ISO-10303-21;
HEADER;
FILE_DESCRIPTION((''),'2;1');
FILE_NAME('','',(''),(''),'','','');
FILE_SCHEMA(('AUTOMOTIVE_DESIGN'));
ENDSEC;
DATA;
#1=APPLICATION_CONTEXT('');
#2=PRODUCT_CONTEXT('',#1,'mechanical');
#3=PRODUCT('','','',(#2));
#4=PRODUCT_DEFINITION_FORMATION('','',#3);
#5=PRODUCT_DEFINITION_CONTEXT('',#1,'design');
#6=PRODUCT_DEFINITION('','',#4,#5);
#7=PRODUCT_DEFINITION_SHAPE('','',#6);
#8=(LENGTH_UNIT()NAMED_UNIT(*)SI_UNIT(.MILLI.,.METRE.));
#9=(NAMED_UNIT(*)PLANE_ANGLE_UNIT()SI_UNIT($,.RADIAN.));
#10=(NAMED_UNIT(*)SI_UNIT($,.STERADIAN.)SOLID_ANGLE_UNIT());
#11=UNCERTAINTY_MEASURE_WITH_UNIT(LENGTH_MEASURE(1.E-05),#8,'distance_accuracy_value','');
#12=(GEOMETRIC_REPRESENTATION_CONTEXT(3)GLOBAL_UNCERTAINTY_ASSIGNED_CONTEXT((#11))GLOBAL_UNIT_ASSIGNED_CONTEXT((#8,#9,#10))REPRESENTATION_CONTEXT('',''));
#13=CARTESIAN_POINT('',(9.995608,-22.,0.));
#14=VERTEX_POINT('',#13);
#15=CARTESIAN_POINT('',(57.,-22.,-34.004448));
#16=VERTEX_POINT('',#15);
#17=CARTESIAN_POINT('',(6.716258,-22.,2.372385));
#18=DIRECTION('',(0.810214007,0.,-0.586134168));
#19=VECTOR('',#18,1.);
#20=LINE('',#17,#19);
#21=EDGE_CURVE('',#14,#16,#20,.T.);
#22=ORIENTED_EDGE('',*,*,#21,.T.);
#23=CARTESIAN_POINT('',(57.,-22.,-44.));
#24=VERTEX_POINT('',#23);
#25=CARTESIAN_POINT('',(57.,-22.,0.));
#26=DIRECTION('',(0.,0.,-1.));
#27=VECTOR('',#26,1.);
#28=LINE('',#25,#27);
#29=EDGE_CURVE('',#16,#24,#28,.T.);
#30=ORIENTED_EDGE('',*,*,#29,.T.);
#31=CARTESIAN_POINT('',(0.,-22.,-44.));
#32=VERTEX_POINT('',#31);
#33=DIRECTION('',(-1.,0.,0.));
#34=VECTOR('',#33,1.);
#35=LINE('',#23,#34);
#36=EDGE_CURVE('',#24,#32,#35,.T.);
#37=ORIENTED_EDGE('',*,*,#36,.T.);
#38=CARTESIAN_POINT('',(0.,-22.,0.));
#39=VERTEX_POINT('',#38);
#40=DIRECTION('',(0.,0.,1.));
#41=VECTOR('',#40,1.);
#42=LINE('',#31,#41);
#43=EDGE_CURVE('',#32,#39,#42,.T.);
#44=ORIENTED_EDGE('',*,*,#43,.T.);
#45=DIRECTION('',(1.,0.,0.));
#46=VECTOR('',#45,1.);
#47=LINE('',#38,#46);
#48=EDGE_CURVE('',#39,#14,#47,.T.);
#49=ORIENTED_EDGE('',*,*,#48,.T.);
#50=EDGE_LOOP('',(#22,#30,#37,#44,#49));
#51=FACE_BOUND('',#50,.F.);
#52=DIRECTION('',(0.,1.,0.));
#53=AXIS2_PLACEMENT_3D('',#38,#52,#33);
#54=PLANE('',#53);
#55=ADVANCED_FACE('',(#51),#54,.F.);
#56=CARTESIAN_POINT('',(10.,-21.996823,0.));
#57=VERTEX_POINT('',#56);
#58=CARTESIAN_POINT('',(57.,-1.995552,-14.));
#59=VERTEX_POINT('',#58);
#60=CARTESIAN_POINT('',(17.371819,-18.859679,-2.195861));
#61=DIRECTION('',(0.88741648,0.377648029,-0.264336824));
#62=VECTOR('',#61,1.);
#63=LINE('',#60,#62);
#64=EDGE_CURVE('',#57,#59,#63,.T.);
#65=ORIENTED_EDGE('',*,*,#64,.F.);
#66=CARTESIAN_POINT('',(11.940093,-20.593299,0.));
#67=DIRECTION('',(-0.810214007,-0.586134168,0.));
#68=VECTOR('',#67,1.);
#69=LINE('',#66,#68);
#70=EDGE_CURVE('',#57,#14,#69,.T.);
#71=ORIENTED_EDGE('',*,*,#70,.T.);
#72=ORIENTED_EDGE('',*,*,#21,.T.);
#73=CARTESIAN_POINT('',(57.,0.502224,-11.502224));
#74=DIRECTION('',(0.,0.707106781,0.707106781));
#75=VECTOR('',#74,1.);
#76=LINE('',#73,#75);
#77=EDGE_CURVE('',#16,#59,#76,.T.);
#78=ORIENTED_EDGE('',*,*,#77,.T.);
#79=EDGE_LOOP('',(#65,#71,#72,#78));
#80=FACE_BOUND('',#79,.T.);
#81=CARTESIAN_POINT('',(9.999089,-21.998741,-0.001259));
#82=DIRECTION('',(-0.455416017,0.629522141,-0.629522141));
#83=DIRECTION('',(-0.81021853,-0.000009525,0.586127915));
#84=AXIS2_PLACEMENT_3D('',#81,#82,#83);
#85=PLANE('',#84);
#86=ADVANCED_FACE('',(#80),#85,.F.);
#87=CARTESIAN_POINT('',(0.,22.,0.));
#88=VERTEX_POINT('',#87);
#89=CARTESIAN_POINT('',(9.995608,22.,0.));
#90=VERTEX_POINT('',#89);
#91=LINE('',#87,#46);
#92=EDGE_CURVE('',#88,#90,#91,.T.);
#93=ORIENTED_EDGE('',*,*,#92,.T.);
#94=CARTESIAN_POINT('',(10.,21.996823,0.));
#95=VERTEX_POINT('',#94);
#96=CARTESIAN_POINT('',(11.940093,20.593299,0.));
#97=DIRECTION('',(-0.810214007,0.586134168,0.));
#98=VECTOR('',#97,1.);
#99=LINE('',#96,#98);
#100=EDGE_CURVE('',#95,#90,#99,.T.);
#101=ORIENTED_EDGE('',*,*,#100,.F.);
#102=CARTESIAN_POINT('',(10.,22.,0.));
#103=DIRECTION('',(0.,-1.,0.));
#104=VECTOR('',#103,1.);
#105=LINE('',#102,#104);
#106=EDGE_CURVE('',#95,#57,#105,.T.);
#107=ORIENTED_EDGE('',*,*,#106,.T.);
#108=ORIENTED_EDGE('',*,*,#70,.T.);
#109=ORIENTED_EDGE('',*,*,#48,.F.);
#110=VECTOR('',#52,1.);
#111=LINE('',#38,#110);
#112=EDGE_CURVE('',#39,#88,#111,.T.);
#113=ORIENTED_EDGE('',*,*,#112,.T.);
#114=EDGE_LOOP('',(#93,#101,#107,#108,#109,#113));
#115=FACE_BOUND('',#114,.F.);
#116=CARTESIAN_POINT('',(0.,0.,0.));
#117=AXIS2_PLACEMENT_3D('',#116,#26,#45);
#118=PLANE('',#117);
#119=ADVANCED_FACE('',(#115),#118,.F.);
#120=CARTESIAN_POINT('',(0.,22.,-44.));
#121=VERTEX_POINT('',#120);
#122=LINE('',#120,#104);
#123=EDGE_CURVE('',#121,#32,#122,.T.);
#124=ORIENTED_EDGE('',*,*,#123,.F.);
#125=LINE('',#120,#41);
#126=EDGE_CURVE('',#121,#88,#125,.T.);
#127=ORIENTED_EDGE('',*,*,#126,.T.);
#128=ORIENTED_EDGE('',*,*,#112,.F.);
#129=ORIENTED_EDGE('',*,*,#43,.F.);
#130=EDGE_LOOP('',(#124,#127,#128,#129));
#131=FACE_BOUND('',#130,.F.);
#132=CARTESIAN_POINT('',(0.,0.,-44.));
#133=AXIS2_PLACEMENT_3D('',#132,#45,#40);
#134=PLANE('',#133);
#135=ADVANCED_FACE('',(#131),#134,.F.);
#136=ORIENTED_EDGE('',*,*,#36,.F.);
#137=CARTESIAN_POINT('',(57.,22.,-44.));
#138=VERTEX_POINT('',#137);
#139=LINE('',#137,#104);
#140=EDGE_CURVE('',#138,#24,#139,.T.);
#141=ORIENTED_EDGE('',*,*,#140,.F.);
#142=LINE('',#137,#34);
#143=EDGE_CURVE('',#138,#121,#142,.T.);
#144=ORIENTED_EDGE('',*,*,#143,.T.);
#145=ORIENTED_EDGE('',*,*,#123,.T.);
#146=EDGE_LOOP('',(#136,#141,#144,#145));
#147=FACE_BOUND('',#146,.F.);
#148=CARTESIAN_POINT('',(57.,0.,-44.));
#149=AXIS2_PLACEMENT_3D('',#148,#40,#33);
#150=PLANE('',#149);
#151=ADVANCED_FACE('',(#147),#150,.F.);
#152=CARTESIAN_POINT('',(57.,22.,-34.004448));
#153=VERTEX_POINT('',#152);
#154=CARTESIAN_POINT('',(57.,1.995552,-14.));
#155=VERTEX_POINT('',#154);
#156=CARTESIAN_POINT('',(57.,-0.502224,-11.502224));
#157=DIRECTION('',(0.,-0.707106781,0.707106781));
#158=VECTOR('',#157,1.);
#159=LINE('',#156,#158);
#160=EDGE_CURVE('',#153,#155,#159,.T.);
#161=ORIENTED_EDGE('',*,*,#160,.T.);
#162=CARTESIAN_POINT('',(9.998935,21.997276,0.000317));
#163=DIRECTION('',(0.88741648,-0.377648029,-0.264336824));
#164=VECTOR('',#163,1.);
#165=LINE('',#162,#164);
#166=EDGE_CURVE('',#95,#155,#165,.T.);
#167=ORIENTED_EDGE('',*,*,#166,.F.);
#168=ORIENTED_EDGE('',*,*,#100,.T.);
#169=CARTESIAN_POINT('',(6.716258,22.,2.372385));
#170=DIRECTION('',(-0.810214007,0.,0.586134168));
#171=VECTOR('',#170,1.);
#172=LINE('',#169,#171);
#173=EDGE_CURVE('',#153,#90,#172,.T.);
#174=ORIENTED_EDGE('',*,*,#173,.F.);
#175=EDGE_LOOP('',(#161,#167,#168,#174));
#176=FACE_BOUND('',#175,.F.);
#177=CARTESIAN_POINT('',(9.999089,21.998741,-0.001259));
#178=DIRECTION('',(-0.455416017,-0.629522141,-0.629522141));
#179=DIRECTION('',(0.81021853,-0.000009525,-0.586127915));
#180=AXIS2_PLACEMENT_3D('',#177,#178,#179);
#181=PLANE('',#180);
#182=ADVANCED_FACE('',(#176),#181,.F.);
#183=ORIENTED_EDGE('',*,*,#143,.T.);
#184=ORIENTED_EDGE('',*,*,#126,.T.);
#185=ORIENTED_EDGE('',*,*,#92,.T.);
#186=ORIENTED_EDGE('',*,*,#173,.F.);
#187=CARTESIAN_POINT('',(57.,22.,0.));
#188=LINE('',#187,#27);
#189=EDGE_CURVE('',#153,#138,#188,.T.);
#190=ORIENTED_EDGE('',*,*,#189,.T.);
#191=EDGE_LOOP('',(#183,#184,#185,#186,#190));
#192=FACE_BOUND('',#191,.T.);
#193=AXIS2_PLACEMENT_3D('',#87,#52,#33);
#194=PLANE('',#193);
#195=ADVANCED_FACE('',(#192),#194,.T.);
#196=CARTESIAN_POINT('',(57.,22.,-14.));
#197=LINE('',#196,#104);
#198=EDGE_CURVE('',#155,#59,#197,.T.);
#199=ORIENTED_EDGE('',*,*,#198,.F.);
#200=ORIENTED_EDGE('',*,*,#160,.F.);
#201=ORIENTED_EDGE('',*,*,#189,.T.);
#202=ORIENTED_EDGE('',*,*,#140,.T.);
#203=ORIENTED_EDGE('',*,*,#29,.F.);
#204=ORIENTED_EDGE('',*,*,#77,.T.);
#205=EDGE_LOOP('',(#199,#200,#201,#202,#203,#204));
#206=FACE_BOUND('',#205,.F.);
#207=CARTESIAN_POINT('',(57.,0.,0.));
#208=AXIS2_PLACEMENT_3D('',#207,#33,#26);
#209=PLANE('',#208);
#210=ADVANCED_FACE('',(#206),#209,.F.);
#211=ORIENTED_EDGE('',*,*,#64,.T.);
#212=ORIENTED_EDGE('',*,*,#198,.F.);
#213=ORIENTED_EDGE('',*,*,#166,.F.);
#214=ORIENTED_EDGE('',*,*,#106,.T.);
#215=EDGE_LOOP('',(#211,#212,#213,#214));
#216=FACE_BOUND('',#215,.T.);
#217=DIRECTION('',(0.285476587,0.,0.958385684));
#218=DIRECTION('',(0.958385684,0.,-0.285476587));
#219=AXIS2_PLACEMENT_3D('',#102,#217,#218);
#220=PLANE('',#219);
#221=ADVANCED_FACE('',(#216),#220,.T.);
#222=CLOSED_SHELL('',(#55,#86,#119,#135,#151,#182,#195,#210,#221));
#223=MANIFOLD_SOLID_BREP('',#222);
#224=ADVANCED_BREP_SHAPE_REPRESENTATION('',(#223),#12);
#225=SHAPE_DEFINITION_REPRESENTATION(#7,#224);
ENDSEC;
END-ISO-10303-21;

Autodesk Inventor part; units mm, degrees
ref_plane "YZ Plane" through (0, 0, 0) normal (1, 0, 0) x (0, 1, 0)
ref_plane "XZ Plane" through (0, 0, 0) normal (0, 1, 0) x (-1, 0, 0)
sketch "草圖1" plane through (0, 0, 0) normal (0, 1, 0) x (-1, 0, 0)
  line L0 (0, 0) -> (-57, 0)
  line L1 (-57, 0) -> (-57, -44)
  line L2 (-57, -44) -> (0, -44)
  line L3 (0, -44) -> (0, 0)
  dimension "d0" = 57
  dimension "d1" = 44
extrude "擠出1" add sketch "草圖1" along normal mid plane 44
sketch "草圖2" plane through (0, 22, 0) normal (0, 1, 0) x (1, 0, 0)
  line L0 (0, 0) -> (57, 0) projected
  line L1 (10, 0) -> (57, 14)
  line L2 (57, 0) -> (57, 44) projected
  dimension "d4" = 10
  dimension "d5" = 30
extrude "擠出2" cut sketch "草圖2" against normal blind 60
sketch "草圖3" plane through (57, -22, -44) normal (1, 0, 0) x (0, 0, -1)
  line L0 (-30, 24) -> (-10, 44)
  line L1 (0, 44) -> (-44, 44) projected
  line L2 (-30, 44) -> (-30, 0) projected
  point P0 (-44, 22)
  point P1 (-30, 2)
  dimension "d8" = 20
  dimension "d9" = 20
ref_plane "工作平面1" through (10, 22, 0) normal (-0.4554, -0.6295, -0.6295) x (0.8102, 0, -0.5861)
sketch "草圖4" plane through (10, 22, 0) normal (-0.4554, -0.6295, -0.6295) x (0.8102, 0, -0.5861)
  line L0 (-15.1543, -12.3218) -> (93.717, -12.3218)
  line L1 (93.717, -12.3218) -> (93.717, 28.8166)
  line L2 (93.717, 28.8166) -> (-15.1543, 28.8166)
  line L3 (-15.1543, 28.8166) -> (-15.1543, -12.3218)
  point P0 (-8.1022, 13.4037)
extrude "擠出3" cut sketch "草圖4" against normal blind 40
mirror "鏡射1" about plane through (0, 0, 0) normal (0, 1, 0) of "擠出3"
properties part number "62"
